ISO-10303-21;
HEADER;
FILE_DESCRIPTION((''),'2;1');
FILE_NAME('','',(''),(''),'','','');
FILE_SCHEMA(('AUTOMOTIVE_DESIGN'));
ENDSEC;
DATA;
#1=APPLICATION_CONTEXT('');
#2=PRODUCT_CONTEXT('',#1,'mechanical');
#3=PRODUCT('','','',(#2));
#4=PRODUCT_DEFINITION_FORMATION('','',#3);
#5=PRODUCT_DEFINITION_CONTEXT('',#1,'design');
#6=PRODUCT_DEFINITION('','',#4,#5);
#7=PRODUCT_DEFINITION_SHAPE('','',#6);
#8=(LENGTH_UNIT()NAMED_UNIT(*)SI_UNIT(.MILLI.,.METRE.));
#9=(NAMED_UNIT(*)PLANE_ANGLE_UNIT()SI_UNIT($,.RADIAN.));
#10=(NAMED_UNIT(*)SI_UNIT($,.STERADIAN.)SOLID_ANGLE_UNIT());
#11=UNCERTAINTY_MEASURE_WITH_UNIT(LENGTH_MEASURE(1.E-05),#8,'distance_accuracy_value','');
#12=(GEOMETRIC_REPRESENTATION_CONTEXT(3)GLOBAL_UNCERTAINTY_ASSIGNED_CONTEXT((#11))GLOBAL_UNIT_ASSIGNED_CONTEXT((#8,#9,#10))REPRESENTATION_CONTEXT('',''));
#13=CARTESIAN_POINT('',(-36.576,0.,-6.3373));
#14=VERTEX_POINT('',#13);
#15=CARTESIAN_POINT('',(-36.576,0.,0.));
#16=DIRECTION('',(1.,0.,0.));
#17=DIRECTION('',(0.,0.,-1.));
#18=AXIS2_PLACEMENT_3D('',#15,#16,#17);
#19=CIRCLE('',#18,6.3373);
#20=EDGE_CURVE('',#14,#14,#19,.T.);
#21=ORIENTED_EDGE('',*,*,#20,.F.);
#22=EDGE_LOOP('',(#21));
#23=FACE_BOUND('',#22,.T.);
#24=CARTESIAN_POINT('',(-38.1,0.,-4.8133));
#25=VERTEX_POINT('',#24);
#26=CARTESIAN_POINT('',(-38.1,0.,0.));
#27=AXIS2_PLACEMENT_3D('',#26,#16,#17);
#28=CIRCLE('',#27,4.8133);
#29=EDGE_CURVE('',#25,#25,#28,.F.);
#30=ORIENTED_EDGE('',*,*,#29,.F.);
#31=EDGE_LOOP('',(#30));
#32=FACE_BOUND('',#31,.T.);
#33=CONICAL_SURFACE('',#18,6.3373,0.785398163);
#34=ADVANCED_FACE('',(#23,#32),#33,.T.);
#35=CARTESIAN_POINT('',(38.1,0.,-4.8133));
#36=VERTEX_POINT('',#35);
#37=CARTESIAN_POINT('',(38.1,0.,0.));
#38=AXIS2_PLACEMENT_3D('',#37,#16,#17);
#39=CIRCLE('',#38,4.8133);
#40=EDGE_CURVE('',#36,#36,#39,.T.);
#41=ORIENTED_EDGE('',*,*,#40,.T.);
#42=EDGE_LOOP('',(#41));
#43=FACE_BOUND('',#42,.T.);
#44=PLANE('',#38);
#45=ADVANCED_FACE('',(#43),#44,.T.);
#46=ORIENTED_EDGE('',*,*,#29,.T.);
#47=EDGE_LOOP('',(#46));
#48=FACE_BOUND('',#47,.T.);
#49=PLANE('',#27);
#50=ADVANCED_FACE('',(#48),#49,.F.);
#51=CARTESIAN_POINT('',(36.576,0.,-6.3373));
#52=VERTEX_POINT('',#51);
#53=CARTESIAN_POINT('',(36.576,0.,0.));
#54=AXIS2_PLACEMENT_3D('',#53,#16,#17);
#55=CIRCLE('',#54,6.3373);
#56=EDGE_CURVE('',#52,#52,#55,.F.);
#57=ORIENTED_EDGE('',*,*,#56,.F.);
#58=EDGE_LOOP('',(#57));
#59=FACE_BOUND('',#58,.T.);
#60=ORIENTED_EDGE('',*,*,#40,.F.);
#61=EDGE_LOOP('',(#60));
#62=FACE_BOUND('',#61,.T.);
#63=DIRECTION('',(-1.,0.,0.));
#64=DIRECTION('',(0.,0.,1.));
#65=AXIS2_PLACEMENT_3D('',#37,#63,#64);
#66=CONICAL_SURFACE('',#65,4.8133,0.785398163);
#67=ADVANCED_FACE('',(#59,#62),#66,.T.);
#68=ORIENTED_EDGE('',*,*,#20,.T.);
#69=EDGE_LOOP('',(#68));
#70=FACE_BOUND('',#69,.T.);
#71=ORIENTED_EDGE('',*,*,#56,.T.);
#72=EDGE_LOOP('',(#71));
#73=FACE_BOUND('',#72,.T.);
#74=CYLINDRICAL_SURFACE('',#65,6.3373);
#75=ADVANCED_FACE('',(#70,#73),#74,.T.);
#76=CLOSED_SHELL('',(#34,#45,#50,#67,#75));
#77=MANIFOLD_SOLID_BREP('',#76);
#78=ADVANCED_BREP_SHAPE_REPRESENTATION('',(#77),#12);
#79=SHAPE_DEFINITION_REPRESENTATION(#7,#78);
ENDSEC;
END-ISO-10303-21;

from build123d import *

# Parameters (mm, degrees)
SKETCH1_R           = 6.3373
BOSS_EXTRUDE1_DEPTH = 38.1
CHAMFER1_SIZE       = 1.524
CHAMFER2_SIZE       = 1.524


with BuildPart() as part:
    # Sketch1 → Boss-Extrude1 (new body, symmetric)
    with BuildSketch(Plane(origin=(0, 0, 0), x_dir=(0, 0, -1), z_dir=(1, 0, 0))):
        Circle(SKETCH1_R)
    extrude(amount=BOSS_EXTRUDE1_DEPTH, both=True)

    # Chamfer1
    chamfer1_edges = [part.edges().sort_by_distance(p)[0] for p in [
        (38.1, 0, 6.3373),
    ]]
    chamfer(chamfer1_edges, length=CHAMFER1_SIZE)

    # Chamfer2
    chamfer2_edges = [part.edges().sort_by_distance(p)[0] for p in [
        (-38.1, 0, 6.3373),
    ]]
    chamfer(chamfer2_edges, length=CHAMFER2_SIZE)


solid = part.part
